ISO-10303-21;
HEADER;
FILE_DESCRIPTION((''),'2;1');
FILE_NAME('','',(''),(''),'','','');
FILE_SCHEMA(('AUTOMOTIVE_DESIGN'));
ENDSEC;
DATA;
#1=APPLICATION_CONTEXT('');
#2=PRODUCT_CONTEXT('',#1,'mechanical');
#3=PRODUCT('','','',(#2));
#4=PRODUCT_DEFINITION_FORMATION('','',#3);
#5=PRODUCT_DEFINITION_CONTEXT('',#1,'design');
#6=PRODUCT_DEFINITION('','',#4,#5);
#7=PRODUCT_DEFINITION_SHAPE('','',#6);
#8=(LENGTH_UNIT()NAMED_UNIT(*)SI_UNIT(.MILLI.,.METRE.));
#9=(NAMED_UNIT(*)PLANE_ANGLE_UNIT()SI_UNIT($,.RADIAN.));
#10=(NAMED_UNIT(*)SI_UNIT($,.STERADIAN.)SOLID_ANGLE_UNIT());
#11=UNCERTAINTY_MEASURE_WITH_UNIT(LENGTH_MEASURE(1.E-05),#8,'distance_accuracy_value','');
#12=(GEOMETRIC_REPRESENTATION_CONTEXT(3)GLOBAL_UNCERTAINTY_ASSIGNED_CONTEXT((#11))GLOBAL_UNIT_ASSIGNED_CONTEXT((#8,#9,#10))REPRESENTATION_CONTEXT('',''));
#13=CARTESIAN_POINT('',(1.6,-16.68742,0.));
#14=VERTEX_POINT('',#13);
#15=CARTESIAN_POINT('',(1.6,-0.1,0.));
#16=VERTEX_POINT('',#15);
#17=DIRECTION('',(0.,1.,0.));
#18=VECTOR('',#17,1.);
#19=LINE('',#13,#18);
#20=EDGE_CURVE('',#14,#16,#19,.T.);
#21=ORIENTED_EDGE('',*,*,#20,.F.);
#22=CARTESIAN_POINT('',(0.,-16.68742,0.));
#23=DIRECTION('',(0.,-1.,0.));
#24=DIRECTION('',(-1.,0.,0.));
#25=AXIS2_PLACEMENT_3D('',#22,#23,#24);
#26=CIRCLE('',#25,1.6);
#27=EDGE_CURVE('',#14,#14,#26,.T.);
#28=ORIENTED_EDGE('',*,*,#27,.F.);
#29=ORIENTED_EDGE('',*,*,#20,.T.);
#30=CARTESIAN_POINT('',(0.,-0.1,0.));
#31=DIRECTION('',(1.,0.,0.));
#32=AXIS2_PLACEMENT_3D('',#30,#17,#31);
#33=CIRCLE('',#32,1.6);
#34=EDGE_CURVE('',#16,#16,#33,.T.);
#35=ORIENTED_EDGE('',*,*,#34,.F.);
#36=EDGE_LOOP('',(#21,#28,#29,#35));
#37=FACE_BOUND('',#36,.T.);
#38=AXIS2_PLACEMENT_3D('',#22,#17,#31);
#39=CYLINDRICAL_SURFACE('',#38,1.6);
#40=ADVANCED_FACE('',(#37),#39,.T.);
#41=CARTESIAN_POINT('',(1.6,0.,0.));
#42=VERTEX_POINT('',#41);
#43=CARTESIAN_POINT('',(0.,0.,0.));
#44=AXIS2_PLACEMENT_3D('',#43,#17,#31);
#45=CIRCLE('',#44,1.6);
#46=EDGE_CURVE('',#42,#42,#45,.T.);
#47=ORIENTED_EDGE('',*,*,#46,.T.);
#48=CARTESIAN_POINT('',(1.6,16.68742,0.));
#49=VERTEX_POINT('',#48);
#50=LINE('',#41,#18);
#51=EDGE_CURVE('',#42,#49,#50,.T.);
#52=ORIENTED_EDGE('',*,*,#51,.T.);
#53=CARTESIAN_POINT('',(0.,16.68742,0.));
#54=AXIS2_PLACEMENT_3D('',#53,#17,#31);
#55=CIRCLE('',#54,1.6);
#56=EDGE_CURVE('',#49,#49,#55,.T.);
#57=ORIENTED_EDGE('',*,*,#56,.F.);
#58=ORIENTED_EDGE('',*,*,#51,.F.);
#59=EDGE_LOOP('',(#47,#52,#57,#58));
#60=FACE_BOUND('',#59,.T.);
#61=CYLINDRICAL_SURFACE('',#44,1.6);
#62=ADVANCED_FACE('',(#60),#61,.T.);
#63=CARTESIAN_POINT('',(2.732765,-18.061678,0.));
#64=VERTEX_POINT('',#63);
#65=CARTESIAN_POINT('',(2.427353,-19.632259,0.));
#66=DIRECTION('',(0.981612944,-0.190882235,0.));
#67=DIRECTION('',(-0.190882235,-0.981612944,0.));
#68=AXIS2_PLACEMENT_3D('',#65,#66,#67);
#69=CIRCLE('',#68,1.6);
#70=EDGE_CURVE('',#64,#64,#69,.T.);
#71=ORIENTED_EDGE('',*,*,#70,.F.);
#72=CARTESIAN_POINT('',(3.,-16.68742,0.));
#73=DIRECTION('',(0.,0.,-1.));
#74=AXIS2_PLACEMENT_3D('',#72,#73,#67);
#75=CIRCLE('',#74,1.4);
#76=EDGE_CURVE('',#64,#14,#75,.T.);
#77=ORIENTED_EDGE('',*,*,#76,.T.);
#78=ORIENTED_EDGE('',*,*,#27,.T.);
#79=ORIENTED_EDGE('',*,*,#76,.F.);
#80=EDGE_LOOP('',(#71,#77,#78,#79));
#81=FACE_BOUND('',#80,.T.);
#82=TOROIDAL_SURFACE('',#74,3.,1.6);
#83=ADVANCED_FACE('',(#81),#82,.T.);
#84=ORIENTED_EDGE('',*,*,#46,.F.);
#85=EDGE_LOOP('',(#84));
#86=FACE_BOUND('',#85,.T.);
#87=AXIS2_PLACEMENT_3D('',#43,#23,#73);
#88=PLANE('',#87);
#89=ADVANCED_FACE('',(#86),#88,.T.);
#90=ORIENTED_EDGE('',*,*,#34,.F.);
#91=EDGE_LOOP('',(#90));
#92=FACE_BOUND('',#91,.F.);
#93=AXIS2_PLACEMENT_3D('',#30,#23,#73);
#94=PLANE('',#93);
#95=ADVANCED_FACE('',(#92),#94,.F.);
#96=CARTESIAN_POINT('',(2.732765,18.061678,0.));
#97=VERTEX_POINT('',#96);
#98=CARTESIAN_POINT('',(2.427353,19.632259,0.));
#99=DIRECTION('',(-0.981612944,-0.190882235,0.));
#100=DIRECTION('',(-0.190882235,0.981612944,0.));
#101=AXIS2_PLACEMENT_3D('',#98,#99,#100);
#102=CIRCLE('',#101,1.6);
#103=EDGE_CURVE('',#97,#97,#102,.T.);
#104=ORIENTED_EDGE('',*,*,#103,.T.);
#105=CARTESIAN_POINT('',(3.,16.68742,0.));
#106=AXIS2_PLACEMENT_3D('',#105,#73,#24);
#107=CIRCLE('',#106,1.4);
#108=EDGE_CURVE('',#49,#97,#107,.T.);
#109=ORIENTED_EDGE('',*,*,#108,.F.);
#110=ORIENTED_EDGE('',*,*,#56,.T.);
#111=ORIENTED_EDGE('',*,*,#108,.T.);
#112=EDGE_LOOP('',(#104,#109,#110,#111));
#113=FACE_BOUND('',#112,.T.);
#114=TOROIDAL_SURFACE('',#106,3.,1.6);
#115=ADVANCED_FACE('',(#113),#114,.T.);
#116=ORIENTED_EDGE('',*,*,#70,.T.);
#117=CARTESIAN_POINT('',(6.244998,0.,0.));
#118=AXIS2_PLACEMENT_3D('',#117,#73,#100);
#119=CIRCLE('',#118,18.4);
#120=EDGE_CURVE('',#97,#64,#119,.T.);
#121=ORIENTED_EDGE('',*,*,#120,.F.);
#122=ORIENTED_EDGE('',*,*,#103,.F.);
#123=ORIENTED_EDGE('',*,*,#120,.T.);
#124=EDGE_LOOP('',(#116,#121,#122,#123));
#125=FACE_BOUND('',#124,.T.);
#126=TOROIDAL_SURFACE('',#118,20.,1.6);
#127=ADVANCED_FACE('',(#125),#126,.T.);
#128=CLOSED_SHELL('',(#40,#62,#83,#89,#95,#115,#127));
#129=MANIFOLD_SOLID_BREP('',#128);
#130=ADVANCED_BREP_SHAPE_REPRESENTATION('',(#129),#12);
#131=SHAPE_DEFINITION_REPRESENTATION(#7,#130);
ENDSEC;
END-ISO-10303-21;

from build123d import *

# Parameters (mm, degrees)
F1_R = 1.6


with BuildPart() as f2:
    # F2: sweep along a path in F0
    with BuildLine(Plane.XY) as f2_path:
        Line((0, 0), (0, 16.687420052))
        ThreePointArc((0, 16.687420052), (0.6850550636, 18.5955683537), (2.4273532944, 19.6322588847))
        ThreePointArc((2.4273532944, 19.6322588847), (26.2449979984, 0), (2.4273532944, -19.6322588847))
        ThreePointArc((2.4273532944, -19.6322588847), (0.6850550636, -18.5955683537), (0, -16.687420052))
        Line((0, -16.687420052), (0, -0.1))
    # F1 (on Front) → F2 (sweep)
    with BuildSketch(Plane.XZ):
        Circle(F1_R)
    sweep(path=f2_path.line)


solid = f2.part
